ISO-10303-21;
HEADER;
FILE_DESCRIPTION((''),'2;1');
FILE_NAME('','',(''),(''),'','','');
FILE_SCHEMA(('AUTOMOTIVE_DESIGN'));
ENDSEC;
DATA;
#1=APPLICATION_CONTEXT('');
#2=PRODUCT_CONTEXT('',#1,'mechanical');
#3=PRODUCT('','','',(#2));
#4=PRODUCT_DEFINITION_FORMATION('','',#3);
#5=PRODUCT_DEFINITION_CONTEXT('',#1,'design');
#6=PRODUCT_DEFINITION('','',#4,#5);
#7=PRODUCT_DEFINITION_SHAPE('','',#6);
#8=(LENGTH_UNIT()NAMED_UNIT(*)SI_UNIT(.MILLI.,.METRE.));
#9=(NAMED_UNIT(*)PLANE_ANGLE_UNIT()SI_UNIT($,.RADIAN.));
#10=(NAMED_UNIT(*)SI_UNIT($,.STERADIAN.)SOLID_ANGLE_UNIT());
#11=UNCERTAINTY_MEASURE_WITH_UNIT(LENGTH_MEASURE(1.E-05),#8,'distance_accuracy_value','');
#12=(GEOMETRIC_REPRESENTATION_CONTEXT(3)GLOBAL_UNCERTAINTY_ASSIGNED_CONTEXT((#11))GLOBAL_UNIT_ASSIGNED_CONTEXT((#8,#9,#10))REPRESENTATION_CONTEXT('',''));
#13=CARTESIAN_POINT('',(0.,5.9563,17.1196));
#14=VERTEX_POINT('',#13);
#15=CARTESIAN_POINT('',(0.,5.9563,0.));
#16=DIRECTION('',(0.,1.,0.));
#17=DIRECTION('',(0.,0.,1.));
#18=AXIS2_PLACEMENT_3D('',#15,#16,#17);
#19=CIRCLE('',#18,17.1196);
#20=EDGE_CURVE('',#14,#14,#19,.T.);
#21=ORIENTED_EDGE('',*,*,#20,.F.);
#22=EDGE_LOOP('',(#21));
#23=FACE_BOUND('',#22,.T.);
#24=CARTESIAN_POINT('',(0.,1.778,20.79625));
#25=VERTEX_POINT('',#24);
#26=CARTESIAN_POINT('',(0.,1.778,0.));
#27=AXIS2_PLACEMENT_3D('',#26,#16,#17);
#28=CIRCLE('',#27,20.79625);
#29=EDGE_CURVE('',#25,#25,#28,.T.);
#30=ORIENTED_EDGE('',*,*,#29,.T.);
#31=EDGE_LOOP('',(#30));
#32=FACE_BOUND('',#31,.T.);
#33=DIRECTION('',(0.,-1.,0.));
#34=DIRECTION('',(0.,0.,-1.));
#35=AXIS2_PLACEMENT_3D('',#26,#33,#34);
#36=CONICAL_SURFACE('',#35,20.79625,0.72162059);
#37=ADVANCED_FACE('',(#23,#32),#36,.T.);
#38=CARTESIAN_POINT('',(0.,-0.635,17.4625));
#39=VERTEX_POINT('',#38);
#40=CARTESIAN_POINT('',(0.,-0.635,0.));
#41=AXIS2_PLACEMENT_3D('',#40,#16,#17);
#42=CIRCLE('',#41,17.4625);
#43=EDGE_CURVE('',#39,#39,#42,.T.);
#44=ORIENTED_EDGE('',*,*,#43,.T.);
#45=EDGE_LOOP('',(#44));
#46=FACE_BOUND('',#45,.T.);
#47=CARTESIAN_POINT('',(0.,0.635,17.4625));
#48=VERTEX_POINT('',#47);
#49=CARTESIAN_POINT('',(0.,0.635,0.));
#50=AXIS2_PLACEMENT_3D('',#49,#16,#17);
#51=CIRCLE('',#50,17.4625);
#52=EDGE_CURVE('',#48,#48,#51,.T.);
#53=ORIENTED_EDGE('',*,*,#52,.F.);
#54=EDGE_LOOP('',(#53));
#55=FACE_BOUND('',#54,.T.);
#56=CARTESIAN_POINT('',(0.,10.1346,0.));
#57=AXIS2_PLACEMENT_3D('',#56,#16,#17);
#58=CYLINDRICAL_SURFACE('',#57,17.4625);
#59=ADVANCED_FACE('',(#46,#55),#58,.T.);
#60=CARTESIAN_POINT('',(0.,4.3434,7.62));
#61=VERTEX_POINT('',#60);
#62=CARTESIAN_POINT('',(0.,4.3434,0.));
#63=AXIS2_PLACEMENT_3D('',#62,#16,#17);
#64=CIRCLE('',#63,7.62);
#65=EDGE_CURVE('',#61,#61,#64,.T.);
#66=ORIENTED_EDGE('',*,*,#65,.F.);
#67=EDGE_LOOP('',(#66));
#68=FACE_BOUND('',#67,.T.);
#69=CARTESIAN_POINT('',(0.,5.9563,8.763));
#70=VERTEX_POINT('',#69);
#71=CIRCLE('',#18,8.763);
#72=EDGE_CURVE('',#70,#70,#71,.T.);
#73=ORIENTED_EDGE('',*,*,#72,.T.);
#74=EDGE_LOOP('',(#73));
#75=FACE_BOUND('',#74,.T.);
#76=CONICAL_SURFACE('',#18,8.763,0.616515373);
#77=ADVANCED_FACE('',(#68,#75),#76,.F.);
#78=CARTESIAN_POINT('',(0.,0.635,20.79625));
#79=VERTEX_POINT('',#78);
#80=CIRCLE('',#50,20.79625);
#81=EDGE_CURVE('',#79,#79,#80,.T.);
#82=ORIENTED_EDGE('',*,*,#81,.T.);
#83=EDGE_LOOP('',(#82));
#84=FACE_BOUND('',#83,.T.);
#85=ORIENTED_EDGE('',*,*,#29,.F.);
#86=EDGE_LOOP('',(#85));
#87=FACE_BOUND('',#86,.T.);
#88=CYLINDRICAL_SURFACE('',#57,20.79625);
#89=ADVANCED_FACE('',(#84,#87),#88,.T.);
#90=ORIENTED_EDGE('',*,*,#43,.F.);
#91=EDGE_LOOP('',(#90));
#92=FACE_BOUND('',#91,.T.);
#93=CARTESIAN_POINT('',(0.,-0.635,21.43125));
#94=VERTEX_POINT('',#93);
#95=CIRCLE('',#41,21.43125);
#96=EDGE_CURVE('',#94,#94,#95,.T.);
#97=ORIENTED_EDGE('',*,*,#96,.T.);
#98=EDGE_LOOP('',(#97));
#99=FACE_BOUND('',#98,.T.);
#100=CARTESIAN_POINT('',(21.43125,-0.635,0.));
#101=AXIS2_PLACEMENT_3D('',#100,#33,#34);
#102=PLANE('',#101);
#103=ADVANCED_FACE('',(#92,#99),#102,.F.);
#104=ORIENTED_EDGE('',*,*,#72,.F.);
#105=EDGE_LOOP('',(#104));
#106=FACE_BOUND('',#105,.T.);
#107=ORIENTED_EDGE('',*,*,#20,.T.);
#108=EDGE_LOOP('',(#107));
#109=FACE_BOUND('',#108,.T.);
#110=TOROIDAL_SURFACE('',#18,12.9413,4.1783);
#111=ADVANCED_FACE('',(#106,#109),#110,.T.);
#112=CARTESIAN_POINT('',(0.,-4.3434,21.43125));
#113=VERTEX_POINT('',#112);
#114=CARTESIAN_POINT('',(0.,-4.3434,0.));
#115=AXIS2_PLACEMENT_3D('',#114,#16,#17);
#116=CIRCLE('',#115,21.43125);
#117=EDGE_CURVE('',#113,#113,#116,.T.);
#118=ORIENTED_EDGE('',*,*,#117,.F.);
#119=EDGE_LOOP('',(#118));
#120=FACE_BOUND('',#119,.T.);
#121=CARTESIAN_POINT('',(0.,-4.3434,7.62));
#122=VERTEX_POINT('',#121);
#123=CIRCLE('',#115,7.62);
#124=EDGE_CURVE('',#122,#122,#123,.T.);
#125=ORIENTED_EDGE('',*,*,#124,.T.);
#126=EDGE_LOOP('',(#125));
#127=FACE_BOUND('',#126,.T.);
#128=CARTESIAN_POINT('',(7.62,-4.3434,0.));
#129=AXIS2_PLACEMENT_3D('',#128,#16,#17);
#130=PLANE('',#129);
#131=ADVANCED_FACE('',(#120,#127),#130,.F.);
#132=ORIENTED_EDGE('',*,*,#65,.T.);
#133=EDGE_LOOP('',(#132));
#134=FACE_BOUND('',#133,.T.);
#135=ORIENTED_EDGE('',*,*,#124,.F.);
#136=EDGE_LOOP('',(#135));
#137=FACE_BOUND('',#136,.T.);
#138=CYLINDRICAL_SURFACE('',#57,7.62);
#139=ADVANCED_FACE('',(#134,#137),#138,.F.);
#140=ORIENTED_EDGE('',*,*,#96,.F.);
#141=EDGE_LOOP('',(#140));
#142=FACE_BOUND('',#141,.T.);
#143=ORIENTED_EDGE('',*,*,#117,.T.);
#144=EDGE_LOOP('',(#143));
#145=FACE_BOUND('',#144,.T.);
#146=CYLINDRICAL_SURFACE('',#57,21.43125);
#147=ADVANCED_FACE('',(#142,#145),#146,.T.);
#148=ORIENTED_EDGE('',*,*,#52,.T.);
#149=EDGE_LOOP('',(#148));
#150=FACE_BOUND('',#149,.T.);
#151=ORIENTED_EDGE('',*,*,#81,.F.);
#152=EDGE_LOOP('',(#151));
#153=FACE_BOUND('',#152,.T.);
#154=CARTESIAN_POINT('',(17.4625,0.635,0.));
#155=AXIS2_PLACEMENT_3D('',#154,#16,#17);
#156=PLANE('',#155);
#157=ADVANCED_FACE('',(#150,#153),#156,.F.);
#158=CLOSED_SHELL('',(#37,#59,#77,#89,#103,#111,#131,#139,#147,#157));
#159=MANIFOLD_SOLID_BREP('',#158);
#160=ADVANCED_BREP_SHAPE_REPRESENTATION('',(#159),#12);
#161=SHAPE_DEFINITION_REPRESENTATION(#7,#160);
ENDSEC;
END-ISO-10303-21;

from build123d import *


with BuildPart() as part:
    # Sketch1 → Revolve1 (revolve)
    with BuildSketch(Plane.XY, mode=Mode.PRIVATE) as revolve1_sk:
        with BuildLine():
            Line((8.763, 5.9563), (7.62, 4.3434))
            Line((7.62, 4.3434), (7.62, -4.3434))
            Line((7.62, -4.3434), (21.43125, -4.3434))
            Line((21.43125, -4.3434), (21.43125, -0.635))
            Line((21.43125, -0.635), (17.4625, -0.635))
            Line((17.4625, -0.635), (17.4625, 0.635))
            Line((17.4625, 0.635), (20.79625, 0.635))
            Line((20.79625, 0.635), (20.79625, 1.778))
            Line((20.79625, 1.778), (17.1196, 5.9563))
            ThreePointArc((17.1196, 5.9563), (12.9413, 10.1346), (8.763, 5.9563))
        make_face()
    revolve(revolve1_sk.sketch.rotate(Axis((0, 10.1346, 0), (0, -1, 0)), 90), axis=Axis((0, 10.1346, 0), (0, -1, 0)))


solid = part.part
